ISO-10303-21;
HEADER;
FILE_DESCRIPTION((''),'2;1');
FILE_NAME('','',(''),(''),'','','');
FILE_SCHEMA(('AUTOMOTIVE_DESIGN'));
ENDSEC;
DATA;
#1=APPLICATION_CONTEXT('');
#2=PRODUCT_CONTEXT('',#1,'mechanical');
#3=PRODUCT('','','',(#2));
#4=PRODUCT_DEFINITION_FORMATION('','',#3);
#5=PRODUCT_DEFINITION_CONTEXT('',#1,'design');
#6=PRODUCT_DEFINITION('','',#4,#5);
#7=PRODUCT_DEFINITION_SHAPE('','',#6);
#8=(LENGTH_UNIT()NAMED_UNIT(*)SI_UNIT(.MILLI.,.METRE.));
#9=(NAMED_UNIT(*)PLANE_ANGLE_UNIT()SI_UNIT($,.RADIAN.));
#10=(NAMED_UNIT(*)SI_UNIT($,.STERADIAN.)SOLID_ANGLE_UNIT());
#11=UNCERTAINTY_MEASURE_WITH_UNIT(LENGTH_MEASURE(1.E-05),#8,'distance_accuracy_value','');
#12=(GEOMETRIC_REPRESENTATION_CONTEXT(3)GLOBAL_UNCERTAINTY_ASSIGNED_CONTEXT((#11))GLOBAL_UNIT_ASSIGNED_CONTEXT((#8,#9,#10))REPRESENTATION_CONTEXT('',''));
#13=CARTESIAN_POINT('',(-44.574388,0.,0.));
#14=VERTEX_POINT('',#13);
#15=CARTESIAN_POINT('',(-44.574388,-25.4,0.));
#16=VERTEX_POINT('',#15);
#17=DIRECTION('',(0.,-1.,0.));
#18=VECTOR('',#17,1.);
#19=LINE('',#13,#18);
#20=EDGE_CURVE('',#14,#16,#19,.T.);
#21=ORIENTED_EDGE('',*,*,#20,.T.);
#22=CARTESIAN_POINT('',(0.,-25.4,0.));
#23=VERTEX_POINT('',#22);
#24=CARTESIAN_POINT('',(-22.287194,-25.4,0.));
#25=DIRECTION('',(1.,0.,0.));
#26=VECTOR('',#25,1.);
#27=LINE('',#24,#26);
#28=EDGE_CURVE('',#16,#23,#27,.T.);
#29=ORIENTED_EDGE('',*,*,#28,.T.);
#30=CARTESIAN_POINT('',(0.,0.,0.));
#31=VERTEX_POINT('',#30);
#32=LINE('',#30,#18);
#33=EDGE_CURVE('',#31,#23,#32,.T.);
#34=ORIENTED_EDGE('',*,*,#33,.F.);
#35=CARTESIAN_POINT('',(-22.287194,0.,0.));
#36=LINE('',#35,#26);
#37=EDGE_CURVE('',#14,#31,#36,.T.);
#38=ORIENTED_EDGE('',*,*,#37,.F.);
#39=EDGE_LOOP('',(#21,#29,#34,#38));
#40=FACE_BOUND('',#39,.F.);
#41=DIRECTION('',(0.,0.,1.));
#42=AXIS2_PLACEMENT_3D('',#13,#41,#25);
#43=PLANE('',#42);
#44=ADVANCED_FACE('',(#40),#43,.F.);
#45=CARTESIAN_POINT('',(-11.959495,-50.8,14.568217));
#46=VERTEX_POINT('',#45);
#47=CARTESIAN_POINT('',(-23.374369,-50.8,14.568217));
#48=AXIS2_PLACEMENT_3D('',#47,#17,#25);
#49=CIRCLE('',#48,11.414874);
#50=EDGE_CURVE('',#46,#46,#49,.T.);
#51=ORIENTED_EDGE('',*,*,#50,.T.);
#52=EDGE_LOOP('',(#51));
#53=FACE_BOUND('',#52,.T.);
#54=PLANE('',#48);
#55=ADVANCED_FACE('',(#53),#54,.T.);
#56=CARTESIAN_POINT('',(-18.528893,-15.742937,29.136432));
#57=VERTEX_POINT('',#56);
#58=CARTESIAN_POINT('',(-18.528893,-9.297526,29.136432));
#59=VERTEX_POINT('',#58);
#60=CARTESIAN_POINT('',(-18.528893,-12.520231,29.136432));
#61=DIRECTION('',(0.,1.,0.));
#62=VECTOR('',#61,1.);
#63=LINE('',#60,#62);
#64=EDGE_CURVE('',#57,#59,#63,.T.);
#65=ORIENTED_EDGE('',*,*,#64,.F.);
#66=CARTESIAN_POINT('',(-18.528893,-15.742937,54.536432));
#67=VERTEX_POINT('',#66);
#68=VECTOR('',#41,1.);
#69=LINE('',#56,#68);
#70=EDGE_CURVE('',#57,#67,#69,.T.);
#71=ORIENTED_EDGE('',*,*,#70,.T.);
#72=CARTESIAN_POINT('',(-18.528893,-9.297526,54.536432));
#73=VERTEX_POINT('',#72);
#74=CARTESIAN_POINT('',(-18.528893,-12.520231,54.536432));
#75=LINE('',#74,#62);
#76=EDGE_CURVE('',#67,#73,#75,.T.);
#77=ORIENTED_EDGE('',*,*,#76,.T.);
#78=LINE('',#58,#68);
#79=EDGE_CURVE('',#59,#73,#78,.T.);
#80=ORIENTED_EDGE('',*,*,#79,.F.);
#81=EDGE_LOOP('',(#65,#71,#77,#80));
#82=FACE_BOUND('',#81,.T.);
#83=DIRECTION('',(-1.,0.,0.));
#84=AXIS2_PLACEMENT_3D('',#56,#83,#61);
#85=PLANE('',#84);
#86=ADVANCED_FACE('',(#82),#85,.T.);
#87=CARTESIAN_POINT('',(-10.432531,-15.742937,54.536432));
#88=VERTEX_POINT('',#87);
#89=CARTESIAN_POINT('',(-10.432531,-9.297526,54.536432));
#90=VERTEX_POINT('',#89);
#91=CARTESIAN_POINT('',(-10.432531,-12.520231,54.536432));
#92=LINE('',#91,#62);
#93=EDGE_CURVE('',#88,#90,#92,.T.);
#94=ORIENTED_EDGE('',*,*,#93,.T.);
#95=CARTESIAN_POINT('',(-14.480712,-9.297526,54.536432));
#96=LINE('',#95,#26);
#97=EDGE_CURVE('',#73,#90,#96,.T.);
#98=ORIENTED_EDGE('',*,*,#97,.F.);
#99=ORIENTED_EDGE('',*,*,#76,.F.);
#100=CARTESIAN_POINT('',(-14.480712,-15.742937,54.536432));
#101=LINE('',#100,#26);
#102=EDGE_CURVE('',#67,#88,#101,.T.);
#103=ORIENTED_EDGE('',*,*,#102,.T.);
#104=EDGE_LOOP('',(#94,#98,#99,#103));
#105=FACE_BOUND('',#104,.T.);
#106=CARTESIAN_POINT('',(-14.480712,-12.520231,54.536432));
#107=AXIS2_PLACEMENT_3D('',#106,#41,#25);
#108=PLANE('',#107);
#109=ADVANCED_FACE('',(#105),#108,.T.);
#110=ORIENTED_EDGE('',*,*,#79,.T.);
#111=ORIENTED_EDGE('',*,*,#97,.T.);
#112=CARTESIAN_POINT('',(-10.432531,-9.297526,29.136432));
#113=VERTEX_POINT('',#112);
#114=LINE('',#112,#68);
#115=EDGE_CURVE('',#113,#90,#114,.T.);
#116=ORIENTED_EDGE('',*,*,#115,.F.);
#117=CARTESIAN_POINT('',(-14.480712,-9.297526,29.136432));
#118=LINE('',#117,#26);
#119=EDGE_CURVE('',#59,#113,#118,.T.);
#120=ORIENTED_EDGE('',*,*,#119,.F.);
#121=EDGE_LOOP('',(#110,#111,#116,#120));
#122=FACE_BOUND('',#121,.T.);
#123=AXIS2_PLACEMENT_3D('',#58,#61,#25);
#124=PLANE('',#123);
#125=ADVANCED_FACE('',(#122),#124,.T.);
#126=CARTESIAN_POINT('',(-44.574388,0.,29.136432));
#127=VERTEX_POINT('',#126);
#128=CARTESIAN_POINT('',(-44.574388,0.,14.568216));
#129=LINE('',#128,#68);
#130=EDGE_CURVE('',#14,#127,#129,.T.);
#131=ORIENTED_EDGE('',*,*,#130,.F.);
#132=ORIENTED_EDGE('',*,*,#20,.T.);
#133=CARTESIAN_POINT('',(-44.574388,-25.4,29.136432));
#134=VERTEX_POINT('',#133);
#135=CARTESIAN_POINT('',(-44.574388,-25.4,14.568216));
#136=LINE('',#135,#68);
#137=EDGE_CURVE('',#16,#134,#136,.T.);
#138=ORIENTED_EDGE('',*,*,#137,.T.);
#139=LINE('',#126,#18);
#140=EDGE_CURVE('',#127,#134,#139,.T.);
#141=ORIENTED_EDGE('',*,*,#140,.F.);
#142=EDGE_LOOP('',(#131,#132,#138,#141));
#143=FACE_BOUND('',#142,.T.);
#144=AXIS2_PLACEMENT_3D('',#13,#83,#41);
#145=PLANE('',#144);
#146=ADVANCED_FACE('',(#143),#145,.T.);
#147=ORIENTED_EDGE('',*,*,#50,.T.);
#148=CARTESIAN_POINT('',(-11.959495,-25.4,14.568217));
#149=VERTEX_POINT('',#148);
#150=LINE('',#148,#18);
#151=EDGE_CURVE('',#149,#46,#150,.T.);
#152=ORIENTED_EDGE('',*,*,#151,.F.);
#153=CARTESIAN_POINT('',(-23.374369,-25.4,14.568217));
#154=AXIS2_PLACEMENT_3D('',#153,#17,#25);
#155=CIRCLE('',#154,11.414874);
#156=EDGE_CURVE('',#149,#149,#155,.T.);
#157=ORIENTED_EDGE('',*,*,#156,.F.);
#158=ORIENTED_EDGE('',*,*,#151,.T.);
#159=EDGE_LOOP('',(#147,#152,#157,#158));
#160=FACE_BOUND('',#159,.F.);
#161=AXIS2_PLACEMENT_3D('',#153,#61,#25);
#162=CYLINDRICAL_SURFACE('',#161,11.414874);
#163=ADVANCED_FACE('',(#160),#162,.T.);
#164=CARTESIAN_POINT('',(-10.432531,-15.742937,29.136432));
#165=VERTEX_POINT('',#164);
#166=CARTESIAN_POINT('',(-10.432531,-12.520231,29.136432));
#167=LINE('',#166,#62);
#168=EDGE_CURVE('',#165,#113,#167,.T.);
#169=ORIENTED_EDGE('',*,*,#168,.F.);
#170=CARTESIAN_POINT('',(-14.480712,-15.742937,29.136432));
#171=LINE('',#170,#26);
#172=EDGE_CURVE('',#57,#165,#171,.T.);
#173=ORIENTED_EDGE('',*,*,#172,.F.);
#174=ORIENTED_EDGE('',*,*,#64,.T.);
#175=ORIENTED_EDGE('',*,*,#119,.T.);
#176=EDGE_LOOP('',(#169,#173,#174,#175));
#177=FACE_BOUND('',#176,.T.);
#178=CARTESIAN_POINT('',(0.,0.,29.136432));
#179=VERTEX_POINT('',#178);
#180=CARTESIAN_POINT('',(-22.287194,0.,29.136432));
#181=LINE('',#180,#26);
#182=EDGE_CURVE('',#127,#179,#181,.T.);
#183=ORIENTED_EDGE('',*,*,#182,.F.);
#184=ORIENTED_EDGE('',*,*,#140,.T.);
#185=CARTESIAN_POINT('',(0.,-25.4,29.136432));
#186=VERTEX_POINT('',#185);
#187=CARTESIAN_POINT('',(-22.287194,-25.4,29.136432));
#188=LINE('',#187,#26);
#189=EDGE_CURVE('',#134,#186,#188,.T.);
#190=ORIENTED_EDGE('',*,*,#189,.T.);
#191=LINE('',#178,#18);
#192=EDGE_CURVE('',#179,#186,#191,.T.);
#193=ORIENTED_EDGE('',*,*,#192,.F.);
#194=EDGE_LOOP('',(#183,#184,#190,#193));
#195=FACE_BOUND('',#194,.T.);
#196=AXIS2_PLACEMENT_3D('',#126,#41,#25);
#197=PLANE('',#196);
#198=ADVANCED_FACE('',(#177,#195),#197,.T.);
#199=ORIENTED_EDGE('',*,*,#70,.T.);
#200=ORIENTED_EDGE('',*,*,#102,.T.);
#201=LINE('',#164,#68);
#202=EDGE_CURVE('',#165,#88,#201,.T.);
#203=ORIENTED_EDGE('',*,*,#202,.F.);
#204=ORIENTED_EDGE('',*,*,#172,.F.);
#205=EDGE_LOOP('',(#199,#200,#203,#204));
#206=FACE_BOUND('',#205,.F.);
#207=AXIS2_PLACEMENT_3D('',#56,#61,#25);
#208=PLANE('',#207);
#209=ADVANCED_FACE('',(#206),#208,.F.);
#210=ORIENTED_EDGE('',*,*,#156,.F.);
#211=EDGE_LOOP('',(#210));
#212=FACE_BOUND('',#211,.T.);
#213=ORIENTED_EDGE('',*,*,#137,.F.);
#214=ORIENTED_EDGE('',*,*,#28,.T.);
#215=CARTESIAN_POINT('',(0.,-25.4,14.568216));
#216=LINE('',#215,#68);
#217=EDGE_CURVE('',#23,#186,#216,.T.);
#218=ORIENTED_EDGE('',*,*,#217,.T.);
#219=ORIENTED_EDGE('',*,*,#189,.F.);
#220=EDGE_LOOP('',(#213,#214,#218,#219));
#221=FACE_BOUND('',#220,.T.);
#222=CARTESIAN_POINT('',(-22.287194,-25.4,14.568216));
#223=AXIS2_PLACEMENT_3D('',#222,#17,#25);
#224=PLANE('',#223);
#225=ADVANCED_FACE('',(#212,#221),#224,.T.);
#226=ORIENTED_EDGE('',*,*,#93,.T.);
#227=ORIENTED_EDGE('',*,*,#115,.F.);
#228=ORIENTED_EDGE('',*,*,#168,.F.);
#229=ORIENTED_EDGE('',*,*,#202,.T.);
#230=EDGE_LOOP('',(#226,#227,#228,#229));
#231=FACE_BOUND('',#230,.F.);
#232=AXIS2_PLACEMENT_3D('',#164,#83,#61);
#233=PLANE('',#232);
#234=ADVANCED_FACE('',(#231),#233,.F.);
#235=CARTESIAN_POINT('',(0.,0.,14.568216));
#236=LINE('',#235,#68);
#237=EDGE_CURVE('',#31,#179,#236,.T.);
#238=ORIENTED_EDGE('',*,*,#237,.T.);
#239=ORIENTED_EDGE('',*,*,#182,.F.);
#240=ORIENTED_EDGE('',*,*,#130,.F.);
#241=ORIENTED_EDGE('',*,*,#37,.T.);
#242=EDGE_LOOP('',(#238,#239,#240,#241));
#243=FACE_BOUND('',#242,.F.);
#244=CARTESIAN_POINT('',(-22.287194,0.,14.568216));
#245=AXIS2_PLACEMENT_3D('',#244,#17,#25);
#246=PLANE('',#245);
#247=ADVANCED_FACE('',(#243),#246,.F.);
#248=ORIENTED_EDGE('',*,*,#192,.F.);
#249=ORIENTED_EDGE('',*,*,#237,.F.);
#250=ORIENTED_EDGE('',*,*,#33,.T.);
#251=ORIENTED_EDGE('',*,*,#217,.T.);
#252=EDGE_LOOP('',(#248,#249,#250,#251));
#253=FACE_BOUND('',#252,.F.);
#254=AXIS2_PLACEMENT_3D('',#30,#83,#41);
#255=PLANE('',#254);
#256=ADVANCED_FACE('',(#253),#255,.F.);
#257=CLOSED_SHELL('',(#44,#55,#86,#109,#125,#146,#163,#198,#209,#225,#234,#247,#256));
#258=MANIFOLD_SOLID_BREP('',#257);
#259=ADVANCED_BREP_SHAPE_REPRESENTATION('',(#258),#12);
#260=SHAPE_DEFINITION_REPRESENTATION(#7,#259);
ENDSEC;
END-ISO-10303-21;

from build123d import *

# Parameters (mm, degrees)
F0_W     = 44.574387
F0_H     = 29.136432
F1_DEPTH = 25.4
F2_W     = 8.096363
F2_H     = 6.445411
F3_DEPTH = 25.4
F4_R     = 11.414874
F5_DEPTH = 25.4


with BuildPart() as f1:
    # F0 (on Front) → F1 (new body)
    with BuildSketch(Plane.XZ):
        with Locations((-22.287194, 14.568216)):
            Rectangle(F0_W, F0_H)
    extrude(amount=F1_DEPTH)

    # F2 (on face) → F3 (join)
    with BuildSketch(Plane.XY.offset(29.136432)):
        with Locations((-14.480712, -12.520231)):
            Rectangle(F2_W, F2_H)
    extrude(amount=F3_DEPTH)

    # F4 (on face) → F5 (join)
    with BuildSketch(Plane.XZ.offset(25.4)):
        with Locations((-23.374369, 14.568217)):
            Circle(F4_R)
    extrude(amount=F5_DEPTH)


solid = f1.part
